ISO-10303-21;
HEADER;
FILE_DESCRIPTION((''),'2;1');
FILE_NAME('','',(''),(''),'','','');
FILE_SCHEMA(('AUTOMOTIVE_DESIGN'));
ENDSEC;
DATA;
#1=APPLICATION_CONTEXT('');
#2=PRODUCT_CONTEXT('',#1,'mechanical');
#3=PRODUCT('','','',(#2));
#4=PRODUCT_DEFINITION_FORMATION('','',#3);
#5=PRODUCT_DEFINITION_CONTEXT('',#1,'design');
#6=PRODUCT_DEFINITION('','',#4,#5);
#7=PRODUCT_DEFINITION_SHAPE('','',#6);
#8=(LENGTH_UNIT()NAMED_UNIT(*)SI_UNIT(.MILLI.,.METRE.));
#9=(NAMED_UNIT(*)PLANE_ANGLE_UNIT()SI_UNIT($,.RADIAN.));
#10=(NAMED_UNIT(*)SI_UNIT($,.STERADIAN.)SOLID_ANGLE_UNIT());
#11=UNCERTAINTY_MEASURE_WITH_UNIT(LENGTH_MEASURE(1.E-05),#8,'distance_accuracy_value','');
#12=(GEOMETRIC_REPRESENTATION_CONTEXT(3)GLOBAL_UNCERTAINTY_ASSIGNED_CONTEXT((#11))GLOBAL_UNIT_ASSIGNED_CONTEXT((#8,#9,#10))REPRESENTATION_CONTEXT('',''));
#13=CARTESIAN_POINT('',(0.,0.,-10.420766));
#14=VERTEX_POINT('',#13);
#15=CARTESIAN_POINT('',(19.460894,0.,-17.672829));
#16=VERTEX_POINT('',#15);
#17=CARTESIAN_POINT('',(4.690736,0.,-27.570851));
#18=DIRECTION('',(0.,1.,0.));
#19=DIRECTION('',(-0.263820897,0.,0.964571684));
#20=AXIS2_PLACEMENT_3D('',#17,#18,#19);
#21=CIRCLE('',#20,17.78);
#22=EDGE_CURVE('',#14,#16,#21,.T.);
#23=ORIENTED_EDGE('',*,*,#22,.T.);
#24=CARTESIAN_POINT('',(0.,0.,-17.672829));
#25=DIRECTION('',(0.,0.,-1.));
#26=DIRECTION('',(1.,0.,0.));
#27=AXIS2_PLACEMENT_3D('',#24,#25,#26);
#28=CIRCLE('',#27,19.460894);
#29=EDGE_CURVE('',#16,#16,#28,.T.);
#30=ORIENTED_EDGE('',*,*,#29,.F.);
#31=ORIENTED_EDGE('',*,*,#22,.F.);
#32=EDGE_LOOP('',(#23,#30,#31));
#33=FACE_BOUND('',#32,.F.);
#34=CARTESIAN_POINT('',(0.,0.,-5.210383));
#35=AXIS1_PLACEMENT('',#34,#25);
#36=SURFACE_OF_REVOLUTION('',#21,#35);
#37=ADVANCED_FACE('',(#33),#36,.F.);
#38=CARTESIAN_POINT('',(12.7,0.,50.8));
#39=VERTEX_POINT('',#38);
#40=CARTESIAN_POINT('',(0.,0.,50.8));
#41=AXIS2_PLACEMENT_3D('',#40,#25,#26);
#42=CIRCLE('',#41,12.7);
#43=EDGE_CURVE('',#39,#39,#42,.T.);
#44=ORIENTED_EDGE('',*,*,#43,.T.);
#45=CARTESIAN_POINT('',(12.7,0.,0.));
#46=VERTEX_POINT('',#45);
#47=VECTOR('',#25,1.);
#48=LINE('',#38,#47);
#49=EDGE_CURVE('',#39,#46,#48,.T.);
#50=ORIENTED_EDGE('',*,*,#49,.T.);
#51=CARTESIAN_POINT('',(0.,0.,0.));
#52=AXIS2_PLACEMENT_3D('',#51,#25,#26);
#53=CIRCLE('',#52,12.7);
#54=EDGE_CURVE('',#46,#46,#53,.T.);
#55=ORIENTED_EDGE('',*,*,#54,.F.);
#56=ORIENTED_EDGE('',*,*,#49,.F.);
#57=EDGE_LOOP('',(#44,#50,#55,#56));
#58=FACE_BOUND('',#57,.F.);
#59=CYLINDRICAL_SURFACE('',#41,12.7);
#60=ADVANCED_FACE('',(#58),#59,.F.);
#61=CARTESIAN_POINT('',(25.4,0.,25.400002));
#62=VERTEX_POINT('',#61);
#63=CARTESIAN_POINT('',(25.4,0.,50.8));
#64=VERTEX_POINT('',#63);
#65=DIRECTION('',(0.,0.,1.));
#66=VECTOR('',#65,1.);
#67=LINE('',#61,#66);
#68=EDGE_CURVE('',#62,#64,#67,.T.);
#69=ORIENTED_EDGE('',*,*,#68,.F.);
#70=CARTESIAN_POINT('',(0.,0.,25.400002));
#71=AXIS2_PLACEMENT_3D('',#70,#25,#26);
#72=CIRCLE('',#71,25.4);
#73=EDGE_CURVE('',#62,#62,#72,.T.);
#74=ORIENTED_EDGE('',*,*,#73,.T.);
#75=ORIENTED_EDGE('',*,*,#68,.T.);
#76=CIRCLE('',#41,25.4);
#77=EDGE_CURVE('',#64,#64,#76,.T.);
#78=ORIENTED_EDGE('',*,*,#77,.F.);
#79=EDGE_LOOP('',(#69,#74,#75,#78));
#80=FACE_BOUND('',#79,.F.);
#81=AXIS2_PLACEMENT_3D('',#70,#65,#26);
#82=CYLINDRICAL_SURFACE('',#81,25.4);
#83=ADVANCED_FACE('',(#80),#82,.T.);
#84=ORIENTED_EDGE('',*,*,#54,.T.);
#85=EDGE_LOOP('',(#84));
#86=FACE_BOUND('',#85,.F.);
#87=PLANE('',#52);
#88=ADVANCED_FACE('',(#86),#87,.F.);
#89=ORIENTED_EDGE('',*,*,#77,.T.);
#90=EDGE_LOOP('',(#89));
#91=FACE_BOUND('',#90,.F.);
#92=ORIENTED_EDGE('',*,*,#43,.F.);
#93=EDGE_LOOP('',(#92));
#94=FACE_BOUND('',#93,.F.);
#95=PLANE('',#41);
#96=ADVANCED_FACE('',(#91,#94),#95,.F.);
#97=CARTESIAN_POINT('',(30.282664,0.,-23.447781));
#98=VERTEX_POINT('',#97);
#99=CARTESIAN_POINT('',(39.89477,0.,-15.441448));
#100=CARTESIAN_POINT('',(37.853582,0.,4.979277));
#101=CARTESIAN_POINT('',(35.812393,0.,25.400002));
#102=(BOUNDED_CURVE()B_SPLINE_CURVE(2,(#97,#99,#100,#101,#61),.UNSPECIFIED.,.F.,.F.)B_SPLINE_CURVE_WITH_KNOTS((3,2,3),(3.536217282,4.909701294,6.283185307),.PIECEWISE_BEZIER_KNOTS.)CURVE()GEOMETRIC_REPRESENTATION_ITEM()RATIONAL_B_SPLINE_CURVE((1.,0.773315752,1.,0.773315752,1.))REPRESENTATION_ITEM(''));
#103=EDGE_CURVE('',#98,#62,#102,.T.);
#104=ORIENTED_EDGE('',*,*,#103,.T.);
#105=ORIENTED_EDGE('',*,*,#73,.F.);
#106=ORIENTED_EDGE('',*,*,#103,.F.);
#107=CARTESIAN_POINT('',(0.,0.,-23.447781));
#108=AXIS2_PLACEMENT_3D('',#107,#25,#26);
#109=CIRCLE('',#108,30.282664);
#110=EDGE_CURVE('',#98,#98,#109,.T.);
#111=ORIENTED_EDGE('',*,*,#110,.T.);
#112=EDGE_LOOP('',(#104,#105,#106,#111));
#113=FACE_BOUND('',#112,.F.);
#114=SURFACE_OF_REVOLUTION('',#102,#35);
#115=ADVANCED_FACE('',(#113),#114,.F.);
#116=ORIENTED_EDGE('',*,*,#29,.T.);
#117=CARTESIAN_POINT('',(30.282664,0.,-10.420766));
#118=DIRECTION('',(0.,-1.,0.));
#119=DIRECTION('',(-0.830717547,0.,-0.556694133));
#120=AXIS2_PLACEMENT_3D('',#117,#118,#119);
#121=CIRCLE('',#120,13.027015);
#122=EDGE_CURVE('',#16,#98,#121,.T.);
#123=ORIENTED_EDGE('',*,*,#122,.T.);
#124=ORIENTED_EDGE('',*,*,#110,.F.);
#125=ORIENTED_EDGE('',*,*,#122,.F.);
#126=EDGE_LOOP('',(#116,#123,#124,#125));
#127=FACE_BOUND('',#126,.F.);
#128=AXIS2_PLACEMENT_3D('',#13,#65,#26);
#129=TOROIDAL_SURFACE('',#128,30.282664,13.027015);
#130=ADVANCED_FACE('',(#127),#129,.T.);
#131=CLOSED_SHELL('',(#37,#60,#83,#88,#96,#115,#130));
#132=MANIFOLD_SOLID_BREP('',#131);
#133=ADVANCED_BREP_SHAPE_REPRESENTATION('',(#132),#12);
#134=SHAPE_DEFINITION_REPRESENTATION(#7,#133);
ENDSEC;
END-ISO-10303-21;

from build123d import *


with BuildPart() as f1:
    # F0 (on Front) → F1 (revolve)
    with BuildSketch(Plane.XZ):
        with BuildLine():
            Line((12.7, 0), (0, 0))
            Line((0, 0), (0, -10.420766383))
            ThreePointArc((0, -10.420766383), (10.8993419204, -10.9100704278), (19.4608935292, -17.6728292433))
            ThreePointArc((19.4608935292, -17.6728292433), (24.1495407715, -21.9137175646), (30.282663525, -23.4477814506))
            add(Edge.make_bspline(
                [(30.282663525, -23.4477814506), (39.8947702797, -15.4414480758), (37.8535818762, 4.97927674), (35.8123934726, 25.4000015557), (25.4, 25.4000015557)],
                knots=[3.5362172818, 3.5362172818, 3.5362172818, 4.9097012945, 4.9097012945, 6.2831853072, 6.2831853072, 6.2831853072], degree=2, weights=[1, 0.7733157522, 1, 0.7733157522, 1]))
            Line((25.4, 25.4000015557), (25.4, 50.8))
            Line((25.4, 50.8), (12.7, 50.8))
            Line((12.7, 50.8), (12.7, 0))
        make_face()
    revolve(axis=Axis((0, 0, -5.2103831915), (0, 0, -1)))


solid = f1.part
